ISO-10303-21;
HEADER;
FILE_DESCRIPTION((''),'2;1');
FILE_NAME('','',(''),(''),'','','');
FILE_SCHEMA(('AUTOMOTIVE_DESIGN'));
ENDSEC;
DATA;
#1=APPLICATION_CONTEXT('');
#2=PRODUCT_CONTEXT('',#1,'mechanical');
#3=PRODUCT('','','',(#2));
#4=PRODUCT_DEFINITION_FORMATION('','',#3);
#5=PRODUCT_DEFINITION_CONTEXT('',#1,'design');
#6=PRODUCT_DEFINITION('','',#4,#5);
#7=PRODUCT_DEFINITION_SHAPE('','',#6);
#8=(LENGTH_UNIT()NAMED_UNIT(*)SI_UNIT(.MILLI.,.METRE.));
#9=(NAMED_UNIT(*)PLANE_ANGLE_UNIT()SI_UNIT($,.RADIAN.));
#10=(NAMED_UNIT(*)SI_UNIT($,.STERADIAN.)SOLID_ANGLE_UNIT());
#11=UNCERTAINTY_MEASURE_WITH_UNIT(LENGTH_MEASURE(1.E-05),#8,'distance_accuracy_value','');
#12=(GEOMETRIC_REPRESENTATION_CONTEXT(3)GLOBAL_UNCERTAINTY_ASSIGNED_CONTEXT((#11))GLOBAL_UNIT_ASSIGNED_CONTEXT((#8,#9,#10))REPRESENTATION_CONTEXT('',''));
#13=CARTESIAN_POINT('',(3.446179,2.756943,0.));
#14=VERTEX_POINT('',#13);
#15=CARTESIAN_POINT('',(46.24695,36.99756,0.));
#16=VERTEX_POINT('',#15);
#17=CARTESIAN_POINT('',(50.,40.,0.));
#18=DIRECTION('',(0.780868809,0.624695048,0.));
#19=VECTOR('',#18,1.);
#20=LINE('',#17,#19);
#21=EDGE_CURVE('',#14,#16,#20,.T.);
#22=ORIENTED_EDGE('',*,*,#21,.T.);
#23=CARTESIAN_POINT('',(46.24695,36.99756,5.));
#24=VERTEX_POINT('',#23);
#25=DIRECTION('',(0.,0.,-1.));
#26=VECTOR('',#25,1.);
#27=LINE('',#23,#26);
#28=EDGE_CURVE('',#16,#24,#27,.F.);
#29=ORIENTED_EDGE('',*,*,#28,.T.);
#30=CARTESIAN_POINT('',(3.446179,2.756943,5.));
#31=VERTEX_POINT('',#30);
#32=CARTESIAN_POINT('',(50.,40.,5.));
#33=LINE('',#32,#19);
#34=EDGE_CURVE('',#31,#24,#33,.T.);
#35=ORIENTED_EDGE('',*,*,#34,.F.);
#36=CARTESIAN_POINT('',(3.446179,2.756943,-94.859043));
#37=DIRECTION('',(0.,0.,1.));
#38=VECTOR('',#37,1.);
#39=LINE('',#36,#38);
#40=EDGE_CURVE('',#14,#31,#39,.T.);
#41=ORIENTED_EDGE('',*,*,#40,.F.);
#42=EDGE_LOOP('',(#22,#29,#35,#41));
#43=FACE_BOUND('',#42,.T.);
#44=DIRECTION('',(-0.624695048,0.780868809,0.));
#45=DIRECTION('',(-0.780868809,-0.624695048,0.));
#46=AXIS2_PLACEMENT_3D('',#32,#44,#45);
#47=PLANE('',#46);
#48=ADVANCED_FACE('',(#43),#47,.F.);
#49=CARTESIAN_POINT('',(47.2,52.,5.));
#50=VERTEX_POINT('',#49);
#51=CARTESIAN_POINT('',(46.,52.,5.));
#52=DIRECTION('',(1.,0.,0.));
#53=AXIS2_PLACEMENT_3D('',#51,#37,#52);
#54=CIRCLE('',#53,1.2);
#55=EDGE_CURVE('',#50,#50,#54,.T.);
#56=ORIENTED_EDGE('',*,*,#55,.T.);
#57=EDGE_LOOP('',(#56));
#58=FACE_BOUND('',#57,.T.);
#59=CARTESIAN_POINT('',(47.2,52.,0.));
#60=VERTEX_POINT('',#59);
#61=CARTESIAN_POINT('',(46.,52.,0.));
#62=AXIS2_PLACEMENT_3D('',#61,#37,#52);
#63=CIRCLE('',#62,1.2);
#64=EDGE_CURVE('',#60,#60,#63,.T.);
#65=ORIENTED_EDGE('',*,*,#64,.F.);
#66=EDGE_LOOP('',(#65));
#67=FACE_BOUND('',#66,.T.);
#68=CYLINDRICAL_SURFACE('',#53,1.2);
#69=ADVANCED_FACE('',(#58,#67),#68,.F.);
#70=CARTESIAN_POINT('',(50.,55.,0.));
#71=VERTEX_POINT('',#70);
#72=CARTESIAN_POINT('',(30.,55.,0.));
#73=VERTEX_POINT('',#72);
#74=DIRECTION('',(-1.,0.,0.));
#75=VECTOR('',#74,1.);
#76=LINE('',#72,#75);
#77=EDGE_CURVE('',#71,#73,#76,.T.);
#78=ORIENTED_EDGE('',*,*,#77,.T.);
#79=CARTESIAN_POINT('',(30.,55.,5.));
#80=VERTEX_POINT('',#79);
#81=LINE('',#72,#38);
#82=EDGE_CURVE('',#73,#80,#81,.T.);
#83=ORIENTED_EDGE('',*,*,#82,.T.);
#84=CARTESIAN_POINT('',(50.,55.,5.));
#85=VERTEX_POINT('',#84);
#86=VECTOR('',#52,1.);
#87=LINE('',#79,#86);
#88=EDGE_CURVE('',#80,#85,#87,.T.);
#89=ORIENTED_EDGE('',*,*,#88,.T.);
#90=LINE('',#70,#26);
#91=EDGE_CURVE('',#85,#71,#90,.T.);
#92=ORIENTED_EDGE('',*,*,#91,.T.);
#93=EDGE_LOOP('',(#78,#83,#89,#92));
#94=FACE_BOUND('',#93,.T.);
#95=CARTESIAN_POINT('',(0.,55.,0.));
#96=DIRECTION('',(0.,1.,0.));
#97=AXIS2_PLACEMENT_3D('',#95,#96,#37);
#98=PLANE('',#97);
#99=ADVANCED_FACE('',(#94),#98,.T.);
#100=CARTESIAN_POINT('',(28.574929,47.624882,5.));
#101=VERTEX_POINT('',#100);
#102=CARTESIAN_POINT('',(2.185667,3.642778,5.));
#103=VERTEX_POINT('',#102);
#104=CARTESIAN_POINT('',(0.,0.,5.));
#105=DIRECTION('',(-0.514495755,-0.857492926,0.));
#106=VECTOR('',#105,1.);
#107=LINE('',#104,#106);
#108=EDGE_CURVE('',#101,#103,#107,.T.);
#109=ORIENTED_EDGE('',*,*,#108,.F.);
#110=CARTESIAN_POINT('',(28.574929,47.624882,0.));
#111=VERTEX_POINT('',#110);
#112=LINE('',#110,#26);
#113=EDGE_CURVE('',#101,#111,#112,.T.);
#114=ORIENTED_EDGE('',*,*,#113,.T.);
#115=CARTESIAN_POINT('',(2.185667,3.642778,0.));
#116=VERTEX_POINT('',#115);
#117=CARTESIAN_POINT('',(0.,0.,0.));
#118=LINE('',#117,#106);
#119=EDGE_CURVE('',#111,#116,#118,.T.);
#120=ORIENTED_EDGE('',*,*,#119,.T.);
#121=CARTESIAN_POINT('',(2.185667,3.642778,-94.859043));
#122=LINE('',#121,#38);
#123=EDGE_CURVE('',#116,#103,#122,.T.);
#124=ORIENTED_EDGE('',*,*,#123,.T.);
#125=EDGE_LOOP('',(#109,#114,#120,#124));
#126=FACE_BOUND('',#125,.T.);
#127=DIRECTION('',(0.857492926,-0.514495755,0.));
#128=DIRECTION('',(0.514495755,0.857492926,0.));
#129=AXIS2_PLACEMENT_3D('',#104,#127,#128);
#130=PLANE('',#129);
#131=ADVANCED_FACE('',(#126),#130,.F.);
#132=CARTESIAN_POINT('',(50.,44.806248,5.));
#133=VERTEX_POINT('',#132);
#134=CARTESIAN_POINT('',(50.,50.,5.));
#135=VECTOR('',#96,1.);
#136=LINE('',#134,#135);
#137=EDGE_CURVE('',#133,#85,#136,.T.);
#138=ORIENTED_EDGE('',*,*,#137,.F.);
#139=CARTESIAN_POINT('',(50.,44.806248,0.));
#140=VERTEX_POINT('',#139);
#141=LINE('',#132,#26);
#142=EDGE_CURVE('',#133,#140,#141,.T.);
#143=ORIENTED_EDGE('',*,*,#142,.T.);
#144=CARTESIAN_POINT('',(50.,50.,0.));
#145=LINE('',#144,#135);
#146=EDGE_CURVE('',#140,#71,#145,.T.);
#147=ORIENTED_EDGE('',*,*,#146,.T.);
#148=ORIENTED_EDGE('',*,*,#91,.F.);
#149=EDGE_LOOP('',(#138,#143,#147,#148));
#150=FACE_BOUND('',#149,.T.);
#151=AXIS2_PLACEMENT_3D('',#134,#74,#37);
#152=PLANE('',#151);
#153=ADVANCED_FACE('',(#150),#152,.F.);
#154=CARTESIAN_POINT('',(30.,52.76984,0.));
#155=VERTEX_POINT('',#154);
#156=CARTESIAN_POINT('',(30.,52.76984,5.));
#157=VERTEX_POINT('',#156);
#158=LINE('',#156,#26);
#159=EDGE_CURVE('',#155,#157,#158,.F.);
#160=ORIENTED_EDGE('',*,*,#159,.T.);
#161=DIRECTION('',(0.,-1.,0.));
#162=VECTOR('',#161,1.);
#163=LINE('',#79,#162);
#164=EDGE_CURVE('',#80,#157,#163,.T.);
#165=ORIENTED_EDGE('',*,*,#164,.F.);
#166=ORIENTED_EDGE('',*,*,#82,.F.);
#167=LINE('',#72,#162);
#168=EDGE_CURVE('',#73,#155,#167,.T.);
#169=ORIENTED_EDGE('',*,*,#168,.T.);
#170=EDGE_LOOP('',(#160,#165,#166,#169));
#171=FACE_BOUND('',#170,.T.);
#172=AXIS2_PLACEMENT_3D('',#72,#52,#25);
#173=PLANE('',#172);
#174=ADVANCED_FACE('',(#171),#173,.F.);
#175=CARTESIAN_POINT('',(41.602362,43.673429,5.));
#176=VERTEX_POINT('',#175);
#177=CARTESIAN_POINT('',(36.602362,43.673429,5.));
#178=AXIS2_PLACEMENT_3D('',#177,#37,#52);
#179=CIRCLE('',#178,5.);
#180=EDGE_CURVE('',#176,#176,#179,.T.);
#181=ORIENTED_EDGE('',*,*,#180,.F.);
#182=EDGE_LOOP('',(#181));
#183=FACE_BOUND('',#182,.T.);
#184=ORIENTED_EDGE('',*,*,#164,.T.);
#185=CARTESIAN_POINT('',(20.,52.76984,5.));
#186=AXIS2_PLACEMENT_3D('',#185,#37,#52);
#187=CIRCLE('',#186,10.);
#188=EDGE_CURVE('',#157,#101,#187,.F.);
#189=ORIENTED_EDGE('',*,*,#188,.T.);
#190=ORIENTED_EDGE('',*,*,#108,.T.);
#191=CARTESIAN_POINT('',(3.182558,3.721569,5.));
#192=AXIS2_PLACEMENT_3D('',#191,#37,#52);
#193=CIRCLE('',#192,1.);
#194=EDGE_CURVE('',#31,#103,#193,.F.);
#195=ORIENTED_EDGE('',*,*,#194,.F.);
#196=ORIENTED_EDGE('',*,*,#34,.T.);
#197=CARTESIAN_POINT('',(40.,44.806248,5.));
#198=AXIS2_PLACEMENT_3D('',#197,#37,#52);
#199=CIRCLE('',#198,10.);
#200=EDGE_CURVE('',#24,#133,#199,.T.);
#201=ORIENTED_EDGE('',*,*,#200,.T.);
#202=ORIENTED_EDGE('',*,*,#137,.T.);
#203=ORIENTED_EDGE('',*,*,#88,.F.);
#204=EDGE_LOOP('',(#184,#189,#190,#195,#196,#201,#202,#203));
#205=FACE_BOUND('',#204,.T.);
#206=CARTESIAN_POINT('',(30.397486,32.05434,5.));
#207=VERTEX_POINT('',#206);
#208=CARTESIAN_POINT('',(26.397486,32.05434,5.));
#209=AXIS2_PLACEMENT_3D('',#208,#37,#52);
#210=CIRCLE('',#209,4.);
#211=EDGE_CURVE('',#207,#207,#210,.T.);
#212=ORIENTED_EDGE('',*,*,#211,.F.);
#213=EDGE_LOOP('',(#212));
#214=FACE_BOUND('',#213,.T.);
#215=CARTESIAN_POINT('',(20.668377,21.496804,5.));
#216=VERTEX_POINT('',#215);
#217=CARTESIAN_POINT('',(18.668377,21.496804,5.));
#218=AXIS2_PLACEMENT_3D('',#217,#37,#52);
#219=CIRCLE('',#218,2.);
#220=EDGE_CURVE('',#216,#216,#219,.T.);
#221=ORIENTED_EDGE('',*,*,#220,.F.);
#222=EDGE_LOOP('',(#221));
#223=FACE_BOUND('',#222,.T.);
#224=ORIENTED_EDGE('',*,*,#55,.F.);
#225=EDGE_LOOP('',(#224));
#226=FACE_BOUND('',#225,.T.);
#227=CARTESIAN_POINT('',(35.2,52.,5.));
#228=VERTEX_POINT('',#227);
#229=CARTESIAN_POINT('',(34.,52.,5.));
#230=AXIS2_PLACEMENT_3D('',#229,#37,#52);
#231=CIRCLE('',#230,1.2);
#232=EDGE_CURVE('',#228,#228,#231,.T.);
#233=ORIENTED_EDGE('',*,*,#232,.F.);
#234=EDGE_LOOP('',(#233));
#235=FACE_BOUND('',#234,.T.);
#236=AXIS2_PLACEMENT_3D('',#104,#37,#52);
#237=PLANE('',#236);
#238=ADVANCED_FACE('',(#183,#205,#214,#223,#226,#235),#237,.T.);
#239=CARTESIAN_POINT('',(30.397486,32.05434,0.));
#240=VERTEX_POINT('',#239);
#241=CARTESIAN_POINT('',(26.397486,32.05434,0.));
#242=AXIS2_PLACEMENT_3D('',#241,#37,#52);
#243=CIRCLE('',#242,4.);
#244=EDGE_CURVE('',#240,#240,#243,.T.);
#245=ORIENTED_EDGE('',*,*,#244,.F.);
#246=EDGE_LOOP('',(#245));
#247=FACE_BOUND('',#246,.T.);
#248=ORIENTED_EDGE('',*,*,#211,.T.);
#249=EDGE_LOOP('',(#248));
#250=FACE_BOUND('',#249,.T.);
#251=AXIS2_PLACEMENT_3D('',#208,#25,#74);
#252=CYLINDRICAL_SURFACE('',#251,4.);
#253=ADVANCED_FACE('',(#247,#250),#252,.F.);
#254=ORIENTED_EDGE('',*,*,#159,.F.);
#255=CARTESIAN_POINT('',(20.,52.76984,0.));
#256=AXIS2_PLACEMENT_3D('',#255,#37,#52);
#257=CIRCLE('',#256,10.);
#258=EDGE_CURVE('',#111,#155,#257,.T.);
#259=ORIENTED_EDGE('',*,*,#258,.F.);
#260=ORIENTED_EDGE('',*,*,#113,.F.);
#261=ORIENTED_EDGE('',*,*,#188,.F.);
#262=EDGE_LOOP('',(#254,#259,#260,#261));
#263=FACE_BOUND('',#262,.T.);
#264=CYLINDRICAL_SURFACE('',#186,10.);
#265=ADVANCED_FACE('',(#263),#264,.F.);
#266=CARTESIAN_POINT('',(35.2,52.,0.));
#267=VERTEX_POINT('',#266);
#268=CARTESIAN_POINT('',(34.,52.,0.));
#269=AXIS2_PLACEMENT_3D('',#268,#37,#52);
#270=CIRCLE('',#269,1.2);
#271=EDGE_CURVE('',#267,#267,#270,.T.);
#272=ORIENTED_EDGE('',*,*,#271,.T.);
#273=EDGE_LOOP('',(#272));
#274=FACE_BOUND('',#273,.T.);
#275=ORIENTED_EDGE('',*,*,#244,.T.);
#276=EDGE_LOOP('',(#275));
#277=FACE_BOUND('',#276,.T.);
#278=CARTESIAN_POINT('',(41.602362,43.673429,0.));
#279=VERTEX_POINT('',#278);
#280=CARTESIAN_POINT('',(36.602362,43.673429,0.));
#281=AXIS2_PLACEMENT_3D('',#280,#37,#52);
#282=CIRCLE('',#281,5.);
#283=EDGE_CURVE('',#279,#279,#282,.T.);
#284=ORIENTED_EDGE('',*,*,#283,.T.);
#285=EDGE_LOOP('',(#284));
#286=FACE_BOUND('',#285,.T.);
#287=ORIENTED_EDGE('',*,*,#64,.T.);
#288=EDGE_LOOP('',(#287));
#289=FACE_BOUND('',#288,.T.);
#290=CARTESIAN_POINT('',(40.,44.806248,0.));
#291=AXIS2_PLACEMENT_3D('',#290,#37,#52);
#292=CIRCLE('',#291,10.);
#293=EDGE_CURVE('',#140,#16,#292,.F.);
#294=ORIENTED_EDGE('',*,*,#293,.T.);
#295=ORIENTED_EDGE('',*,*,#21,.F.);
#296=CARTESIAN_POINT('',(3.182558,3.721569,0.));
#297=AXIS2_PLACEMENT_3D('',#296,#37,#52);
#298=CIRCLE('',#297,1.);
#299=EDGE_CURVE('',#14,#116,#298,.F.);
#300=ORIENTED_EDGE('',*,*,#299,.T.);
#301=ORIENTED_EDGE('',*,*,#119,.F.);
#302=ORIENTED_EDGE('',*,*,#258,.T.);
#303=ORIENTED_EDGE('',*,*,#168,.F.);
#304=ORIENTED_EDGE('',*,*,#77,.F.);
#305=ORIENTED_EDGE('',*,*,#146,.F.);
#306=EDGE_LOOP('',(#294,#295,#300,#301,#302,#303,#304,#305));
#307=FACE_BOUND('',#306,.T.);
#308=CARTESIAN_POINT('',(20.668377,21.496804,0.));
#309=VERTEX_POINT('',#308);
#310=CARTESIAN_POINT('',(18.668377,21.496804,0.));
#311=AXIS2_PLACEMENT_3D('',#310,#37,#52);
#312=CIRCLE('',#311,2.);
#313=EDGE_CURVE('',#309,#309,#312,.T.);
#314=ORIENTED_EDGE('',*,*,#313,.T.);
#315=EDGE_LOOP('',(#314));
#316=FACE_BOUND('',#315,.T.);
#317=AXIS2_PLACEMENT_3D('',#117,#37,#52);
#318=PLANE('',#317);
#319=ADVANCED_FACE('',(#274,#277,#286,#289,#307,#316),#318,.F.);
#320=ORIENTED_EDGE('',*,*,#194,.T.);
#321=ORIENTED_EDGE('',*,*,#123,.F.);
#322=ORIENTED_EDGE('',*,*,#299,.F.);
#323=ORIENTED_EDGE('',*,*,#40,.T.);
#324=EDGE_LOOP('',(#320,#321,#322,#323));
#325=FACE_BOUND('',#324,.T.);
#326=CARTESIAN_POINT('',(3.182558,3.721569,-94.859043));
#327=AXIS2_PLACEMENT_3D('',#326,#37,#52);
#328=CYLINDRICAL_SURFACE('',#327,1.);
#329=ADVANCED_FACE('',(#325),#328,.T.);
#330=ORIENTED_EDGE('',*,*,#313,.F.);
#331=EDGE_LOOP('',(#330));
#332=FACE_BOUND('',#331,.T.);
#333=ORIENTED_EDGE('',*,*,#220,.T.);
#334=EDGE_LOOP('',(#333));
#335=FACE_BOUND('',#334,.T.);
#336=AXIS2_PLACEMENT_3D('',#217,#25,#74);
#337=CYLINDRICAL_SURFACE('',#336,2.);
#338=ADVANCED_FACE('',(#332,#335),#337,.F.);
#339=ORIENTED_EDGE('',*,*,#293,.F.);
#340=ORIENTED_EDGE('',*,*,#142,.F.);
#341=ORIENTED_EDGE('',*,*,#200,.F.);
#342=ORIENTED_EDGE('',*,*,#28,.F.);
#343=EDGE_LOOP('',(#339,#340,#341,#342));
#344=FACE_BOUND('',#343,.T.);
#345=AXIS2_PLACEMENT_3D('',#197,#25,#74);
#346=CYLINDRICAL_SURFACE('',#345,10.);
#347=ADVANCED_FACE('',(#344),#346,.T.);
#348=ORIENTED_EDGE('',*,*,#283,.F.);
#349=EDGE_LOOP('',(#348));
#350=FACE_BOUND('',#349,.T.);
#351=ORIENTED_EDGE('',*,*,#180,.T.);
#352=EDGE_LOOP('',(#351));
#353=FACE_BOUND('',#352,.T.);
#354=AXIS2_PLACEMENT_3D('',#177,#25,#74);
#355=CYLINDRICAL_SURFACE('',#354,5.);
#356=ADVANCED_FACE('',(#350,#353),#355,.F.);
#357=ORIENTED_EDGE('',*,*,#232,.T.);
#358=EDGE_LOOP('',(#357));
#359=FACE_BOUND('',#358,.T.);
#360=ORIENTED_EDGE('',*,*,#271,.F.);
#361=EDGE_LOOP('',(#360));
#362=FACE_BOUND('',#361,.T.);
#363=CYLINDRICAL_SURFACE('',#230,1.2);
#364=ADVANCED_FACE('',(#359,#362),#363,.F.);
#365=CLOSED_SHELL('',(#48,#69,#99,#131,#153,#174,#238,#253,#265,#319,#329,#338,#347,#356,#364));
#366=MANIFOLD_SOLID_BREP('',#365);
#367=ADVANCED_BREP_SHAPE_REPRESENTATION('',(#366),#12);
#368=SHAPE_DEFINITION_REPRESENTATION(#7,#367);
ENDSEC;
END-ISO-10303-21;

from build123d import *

# Parameters (mm, degrees)
ESQUISSE1_R                  = 5
ESQUISSE1_R_2                = 4
ESQUISSE1_R_3                = 2
BOSS_EXTRU_1_DEPTH           = 5
ENL_V_MAT_EXTRU_1_DEPTH      = 1
ENL_V_MAT_EXTRU_1_DEPTH_BACK = 5
CONG_1_R                     = 10
ESQUISSE3_W                  = 20
ESQUISSE3_H                  = 5
BOSS_EXTRU_2_DEPTH           = 5
D_GAGEMENT_M21_D             = 2.4
D_GAGEMENT_M21_DEPTH         = 5
CONG_2_R                     = 10


with BuildPart() as part:
    # Esquisse1 → Boss.-Extru.1 (new body)
    with BuildSketch(Plane.XY):
        Polygon((0, 0), (30, 50), (50, 50), (50, 40), align=None)
        with Locations((36.602361653, 43.673429465)):
            Circle(ESQUISSE1_R, mode=Mode.SUBTRACT)
        with Locations((26.397486101, 32.05434035)):
            Circle(ESQUISSE1_R_2, mode=Mode.SUBTRACT)
        with Locations((18.668376917, 21.496804042)):
            Circle(ESQUISSE1_R_3, mode=Mode.SUBTRACT)
    extrude(amount=BOSS_EXTRU_1_DEPTH)

    # Esquisse2 → Enlèv. mat.-Extru.1 (cut, two sides)
    with BuildSketch(Plane(origin=(0, 0, 0), x_dir=(-1, 0, 0), z_dir=(0, 0, -1))) as enl_v_mat_extru_1_sk:
        with BuildLine():
            Line((0, 0), (-2.185666909, 3.642778182))
            ThreePointArc((-2.185666909, 3.642778182), (-2.607581993, 2.90339912), (-3.446178626, 2.756942901))
            Line((-3.446178626, 2.756942901), (0, 0))
        make_face()
    extrude(amount=ENL_V_MAT_EXTRU_1_DEPTH, mode=Mode.SUBTRACT)
    extrude(enl_v_mat_extru_1_sk.sketch, amount=-ENL_V_MAT_EXTRU_1_DEPTH_BACK, mode=Mode.SUBTRACT)

    # Congé1
    cong_1_edges = [part.edges().sort_by_distance(p)[0] for p in [
        (50, 40, 2.5),
    ]]
    fillet(cong_1_edges, radius=CONG_1_R)

    # Esquisse3 → Boss.-Extru.2 (add)
    with BuildSketch(Plane(origin=(0, 50, 0), x_dir=(1, 0, 0), z_dir=(0, 1, 0))):
        with Locations((40, -2.5)):
            Rectangle(ESQUISSE3_W, ESQUISSE3_H)
    extrude(amount=BOSS_EXTRU_2_DEPTH)

    # Dégagement M21
    with Locations(Plane.XY.offset(5)):
        with Locations((46, 52), (34, 52)):
            Hole(D_GAGEMENT_M21_D / 2, depth=D_GAGEMENT_M21_DEPTH)

    # Congé2
    cong_2_edges = [part.edges().sort_by_distance(p)[0] for p in [
        (30, 50, 2.5),
    ]]
    fillet(cong_2_edges, radius=CONG_2_R)


solid = part.part
